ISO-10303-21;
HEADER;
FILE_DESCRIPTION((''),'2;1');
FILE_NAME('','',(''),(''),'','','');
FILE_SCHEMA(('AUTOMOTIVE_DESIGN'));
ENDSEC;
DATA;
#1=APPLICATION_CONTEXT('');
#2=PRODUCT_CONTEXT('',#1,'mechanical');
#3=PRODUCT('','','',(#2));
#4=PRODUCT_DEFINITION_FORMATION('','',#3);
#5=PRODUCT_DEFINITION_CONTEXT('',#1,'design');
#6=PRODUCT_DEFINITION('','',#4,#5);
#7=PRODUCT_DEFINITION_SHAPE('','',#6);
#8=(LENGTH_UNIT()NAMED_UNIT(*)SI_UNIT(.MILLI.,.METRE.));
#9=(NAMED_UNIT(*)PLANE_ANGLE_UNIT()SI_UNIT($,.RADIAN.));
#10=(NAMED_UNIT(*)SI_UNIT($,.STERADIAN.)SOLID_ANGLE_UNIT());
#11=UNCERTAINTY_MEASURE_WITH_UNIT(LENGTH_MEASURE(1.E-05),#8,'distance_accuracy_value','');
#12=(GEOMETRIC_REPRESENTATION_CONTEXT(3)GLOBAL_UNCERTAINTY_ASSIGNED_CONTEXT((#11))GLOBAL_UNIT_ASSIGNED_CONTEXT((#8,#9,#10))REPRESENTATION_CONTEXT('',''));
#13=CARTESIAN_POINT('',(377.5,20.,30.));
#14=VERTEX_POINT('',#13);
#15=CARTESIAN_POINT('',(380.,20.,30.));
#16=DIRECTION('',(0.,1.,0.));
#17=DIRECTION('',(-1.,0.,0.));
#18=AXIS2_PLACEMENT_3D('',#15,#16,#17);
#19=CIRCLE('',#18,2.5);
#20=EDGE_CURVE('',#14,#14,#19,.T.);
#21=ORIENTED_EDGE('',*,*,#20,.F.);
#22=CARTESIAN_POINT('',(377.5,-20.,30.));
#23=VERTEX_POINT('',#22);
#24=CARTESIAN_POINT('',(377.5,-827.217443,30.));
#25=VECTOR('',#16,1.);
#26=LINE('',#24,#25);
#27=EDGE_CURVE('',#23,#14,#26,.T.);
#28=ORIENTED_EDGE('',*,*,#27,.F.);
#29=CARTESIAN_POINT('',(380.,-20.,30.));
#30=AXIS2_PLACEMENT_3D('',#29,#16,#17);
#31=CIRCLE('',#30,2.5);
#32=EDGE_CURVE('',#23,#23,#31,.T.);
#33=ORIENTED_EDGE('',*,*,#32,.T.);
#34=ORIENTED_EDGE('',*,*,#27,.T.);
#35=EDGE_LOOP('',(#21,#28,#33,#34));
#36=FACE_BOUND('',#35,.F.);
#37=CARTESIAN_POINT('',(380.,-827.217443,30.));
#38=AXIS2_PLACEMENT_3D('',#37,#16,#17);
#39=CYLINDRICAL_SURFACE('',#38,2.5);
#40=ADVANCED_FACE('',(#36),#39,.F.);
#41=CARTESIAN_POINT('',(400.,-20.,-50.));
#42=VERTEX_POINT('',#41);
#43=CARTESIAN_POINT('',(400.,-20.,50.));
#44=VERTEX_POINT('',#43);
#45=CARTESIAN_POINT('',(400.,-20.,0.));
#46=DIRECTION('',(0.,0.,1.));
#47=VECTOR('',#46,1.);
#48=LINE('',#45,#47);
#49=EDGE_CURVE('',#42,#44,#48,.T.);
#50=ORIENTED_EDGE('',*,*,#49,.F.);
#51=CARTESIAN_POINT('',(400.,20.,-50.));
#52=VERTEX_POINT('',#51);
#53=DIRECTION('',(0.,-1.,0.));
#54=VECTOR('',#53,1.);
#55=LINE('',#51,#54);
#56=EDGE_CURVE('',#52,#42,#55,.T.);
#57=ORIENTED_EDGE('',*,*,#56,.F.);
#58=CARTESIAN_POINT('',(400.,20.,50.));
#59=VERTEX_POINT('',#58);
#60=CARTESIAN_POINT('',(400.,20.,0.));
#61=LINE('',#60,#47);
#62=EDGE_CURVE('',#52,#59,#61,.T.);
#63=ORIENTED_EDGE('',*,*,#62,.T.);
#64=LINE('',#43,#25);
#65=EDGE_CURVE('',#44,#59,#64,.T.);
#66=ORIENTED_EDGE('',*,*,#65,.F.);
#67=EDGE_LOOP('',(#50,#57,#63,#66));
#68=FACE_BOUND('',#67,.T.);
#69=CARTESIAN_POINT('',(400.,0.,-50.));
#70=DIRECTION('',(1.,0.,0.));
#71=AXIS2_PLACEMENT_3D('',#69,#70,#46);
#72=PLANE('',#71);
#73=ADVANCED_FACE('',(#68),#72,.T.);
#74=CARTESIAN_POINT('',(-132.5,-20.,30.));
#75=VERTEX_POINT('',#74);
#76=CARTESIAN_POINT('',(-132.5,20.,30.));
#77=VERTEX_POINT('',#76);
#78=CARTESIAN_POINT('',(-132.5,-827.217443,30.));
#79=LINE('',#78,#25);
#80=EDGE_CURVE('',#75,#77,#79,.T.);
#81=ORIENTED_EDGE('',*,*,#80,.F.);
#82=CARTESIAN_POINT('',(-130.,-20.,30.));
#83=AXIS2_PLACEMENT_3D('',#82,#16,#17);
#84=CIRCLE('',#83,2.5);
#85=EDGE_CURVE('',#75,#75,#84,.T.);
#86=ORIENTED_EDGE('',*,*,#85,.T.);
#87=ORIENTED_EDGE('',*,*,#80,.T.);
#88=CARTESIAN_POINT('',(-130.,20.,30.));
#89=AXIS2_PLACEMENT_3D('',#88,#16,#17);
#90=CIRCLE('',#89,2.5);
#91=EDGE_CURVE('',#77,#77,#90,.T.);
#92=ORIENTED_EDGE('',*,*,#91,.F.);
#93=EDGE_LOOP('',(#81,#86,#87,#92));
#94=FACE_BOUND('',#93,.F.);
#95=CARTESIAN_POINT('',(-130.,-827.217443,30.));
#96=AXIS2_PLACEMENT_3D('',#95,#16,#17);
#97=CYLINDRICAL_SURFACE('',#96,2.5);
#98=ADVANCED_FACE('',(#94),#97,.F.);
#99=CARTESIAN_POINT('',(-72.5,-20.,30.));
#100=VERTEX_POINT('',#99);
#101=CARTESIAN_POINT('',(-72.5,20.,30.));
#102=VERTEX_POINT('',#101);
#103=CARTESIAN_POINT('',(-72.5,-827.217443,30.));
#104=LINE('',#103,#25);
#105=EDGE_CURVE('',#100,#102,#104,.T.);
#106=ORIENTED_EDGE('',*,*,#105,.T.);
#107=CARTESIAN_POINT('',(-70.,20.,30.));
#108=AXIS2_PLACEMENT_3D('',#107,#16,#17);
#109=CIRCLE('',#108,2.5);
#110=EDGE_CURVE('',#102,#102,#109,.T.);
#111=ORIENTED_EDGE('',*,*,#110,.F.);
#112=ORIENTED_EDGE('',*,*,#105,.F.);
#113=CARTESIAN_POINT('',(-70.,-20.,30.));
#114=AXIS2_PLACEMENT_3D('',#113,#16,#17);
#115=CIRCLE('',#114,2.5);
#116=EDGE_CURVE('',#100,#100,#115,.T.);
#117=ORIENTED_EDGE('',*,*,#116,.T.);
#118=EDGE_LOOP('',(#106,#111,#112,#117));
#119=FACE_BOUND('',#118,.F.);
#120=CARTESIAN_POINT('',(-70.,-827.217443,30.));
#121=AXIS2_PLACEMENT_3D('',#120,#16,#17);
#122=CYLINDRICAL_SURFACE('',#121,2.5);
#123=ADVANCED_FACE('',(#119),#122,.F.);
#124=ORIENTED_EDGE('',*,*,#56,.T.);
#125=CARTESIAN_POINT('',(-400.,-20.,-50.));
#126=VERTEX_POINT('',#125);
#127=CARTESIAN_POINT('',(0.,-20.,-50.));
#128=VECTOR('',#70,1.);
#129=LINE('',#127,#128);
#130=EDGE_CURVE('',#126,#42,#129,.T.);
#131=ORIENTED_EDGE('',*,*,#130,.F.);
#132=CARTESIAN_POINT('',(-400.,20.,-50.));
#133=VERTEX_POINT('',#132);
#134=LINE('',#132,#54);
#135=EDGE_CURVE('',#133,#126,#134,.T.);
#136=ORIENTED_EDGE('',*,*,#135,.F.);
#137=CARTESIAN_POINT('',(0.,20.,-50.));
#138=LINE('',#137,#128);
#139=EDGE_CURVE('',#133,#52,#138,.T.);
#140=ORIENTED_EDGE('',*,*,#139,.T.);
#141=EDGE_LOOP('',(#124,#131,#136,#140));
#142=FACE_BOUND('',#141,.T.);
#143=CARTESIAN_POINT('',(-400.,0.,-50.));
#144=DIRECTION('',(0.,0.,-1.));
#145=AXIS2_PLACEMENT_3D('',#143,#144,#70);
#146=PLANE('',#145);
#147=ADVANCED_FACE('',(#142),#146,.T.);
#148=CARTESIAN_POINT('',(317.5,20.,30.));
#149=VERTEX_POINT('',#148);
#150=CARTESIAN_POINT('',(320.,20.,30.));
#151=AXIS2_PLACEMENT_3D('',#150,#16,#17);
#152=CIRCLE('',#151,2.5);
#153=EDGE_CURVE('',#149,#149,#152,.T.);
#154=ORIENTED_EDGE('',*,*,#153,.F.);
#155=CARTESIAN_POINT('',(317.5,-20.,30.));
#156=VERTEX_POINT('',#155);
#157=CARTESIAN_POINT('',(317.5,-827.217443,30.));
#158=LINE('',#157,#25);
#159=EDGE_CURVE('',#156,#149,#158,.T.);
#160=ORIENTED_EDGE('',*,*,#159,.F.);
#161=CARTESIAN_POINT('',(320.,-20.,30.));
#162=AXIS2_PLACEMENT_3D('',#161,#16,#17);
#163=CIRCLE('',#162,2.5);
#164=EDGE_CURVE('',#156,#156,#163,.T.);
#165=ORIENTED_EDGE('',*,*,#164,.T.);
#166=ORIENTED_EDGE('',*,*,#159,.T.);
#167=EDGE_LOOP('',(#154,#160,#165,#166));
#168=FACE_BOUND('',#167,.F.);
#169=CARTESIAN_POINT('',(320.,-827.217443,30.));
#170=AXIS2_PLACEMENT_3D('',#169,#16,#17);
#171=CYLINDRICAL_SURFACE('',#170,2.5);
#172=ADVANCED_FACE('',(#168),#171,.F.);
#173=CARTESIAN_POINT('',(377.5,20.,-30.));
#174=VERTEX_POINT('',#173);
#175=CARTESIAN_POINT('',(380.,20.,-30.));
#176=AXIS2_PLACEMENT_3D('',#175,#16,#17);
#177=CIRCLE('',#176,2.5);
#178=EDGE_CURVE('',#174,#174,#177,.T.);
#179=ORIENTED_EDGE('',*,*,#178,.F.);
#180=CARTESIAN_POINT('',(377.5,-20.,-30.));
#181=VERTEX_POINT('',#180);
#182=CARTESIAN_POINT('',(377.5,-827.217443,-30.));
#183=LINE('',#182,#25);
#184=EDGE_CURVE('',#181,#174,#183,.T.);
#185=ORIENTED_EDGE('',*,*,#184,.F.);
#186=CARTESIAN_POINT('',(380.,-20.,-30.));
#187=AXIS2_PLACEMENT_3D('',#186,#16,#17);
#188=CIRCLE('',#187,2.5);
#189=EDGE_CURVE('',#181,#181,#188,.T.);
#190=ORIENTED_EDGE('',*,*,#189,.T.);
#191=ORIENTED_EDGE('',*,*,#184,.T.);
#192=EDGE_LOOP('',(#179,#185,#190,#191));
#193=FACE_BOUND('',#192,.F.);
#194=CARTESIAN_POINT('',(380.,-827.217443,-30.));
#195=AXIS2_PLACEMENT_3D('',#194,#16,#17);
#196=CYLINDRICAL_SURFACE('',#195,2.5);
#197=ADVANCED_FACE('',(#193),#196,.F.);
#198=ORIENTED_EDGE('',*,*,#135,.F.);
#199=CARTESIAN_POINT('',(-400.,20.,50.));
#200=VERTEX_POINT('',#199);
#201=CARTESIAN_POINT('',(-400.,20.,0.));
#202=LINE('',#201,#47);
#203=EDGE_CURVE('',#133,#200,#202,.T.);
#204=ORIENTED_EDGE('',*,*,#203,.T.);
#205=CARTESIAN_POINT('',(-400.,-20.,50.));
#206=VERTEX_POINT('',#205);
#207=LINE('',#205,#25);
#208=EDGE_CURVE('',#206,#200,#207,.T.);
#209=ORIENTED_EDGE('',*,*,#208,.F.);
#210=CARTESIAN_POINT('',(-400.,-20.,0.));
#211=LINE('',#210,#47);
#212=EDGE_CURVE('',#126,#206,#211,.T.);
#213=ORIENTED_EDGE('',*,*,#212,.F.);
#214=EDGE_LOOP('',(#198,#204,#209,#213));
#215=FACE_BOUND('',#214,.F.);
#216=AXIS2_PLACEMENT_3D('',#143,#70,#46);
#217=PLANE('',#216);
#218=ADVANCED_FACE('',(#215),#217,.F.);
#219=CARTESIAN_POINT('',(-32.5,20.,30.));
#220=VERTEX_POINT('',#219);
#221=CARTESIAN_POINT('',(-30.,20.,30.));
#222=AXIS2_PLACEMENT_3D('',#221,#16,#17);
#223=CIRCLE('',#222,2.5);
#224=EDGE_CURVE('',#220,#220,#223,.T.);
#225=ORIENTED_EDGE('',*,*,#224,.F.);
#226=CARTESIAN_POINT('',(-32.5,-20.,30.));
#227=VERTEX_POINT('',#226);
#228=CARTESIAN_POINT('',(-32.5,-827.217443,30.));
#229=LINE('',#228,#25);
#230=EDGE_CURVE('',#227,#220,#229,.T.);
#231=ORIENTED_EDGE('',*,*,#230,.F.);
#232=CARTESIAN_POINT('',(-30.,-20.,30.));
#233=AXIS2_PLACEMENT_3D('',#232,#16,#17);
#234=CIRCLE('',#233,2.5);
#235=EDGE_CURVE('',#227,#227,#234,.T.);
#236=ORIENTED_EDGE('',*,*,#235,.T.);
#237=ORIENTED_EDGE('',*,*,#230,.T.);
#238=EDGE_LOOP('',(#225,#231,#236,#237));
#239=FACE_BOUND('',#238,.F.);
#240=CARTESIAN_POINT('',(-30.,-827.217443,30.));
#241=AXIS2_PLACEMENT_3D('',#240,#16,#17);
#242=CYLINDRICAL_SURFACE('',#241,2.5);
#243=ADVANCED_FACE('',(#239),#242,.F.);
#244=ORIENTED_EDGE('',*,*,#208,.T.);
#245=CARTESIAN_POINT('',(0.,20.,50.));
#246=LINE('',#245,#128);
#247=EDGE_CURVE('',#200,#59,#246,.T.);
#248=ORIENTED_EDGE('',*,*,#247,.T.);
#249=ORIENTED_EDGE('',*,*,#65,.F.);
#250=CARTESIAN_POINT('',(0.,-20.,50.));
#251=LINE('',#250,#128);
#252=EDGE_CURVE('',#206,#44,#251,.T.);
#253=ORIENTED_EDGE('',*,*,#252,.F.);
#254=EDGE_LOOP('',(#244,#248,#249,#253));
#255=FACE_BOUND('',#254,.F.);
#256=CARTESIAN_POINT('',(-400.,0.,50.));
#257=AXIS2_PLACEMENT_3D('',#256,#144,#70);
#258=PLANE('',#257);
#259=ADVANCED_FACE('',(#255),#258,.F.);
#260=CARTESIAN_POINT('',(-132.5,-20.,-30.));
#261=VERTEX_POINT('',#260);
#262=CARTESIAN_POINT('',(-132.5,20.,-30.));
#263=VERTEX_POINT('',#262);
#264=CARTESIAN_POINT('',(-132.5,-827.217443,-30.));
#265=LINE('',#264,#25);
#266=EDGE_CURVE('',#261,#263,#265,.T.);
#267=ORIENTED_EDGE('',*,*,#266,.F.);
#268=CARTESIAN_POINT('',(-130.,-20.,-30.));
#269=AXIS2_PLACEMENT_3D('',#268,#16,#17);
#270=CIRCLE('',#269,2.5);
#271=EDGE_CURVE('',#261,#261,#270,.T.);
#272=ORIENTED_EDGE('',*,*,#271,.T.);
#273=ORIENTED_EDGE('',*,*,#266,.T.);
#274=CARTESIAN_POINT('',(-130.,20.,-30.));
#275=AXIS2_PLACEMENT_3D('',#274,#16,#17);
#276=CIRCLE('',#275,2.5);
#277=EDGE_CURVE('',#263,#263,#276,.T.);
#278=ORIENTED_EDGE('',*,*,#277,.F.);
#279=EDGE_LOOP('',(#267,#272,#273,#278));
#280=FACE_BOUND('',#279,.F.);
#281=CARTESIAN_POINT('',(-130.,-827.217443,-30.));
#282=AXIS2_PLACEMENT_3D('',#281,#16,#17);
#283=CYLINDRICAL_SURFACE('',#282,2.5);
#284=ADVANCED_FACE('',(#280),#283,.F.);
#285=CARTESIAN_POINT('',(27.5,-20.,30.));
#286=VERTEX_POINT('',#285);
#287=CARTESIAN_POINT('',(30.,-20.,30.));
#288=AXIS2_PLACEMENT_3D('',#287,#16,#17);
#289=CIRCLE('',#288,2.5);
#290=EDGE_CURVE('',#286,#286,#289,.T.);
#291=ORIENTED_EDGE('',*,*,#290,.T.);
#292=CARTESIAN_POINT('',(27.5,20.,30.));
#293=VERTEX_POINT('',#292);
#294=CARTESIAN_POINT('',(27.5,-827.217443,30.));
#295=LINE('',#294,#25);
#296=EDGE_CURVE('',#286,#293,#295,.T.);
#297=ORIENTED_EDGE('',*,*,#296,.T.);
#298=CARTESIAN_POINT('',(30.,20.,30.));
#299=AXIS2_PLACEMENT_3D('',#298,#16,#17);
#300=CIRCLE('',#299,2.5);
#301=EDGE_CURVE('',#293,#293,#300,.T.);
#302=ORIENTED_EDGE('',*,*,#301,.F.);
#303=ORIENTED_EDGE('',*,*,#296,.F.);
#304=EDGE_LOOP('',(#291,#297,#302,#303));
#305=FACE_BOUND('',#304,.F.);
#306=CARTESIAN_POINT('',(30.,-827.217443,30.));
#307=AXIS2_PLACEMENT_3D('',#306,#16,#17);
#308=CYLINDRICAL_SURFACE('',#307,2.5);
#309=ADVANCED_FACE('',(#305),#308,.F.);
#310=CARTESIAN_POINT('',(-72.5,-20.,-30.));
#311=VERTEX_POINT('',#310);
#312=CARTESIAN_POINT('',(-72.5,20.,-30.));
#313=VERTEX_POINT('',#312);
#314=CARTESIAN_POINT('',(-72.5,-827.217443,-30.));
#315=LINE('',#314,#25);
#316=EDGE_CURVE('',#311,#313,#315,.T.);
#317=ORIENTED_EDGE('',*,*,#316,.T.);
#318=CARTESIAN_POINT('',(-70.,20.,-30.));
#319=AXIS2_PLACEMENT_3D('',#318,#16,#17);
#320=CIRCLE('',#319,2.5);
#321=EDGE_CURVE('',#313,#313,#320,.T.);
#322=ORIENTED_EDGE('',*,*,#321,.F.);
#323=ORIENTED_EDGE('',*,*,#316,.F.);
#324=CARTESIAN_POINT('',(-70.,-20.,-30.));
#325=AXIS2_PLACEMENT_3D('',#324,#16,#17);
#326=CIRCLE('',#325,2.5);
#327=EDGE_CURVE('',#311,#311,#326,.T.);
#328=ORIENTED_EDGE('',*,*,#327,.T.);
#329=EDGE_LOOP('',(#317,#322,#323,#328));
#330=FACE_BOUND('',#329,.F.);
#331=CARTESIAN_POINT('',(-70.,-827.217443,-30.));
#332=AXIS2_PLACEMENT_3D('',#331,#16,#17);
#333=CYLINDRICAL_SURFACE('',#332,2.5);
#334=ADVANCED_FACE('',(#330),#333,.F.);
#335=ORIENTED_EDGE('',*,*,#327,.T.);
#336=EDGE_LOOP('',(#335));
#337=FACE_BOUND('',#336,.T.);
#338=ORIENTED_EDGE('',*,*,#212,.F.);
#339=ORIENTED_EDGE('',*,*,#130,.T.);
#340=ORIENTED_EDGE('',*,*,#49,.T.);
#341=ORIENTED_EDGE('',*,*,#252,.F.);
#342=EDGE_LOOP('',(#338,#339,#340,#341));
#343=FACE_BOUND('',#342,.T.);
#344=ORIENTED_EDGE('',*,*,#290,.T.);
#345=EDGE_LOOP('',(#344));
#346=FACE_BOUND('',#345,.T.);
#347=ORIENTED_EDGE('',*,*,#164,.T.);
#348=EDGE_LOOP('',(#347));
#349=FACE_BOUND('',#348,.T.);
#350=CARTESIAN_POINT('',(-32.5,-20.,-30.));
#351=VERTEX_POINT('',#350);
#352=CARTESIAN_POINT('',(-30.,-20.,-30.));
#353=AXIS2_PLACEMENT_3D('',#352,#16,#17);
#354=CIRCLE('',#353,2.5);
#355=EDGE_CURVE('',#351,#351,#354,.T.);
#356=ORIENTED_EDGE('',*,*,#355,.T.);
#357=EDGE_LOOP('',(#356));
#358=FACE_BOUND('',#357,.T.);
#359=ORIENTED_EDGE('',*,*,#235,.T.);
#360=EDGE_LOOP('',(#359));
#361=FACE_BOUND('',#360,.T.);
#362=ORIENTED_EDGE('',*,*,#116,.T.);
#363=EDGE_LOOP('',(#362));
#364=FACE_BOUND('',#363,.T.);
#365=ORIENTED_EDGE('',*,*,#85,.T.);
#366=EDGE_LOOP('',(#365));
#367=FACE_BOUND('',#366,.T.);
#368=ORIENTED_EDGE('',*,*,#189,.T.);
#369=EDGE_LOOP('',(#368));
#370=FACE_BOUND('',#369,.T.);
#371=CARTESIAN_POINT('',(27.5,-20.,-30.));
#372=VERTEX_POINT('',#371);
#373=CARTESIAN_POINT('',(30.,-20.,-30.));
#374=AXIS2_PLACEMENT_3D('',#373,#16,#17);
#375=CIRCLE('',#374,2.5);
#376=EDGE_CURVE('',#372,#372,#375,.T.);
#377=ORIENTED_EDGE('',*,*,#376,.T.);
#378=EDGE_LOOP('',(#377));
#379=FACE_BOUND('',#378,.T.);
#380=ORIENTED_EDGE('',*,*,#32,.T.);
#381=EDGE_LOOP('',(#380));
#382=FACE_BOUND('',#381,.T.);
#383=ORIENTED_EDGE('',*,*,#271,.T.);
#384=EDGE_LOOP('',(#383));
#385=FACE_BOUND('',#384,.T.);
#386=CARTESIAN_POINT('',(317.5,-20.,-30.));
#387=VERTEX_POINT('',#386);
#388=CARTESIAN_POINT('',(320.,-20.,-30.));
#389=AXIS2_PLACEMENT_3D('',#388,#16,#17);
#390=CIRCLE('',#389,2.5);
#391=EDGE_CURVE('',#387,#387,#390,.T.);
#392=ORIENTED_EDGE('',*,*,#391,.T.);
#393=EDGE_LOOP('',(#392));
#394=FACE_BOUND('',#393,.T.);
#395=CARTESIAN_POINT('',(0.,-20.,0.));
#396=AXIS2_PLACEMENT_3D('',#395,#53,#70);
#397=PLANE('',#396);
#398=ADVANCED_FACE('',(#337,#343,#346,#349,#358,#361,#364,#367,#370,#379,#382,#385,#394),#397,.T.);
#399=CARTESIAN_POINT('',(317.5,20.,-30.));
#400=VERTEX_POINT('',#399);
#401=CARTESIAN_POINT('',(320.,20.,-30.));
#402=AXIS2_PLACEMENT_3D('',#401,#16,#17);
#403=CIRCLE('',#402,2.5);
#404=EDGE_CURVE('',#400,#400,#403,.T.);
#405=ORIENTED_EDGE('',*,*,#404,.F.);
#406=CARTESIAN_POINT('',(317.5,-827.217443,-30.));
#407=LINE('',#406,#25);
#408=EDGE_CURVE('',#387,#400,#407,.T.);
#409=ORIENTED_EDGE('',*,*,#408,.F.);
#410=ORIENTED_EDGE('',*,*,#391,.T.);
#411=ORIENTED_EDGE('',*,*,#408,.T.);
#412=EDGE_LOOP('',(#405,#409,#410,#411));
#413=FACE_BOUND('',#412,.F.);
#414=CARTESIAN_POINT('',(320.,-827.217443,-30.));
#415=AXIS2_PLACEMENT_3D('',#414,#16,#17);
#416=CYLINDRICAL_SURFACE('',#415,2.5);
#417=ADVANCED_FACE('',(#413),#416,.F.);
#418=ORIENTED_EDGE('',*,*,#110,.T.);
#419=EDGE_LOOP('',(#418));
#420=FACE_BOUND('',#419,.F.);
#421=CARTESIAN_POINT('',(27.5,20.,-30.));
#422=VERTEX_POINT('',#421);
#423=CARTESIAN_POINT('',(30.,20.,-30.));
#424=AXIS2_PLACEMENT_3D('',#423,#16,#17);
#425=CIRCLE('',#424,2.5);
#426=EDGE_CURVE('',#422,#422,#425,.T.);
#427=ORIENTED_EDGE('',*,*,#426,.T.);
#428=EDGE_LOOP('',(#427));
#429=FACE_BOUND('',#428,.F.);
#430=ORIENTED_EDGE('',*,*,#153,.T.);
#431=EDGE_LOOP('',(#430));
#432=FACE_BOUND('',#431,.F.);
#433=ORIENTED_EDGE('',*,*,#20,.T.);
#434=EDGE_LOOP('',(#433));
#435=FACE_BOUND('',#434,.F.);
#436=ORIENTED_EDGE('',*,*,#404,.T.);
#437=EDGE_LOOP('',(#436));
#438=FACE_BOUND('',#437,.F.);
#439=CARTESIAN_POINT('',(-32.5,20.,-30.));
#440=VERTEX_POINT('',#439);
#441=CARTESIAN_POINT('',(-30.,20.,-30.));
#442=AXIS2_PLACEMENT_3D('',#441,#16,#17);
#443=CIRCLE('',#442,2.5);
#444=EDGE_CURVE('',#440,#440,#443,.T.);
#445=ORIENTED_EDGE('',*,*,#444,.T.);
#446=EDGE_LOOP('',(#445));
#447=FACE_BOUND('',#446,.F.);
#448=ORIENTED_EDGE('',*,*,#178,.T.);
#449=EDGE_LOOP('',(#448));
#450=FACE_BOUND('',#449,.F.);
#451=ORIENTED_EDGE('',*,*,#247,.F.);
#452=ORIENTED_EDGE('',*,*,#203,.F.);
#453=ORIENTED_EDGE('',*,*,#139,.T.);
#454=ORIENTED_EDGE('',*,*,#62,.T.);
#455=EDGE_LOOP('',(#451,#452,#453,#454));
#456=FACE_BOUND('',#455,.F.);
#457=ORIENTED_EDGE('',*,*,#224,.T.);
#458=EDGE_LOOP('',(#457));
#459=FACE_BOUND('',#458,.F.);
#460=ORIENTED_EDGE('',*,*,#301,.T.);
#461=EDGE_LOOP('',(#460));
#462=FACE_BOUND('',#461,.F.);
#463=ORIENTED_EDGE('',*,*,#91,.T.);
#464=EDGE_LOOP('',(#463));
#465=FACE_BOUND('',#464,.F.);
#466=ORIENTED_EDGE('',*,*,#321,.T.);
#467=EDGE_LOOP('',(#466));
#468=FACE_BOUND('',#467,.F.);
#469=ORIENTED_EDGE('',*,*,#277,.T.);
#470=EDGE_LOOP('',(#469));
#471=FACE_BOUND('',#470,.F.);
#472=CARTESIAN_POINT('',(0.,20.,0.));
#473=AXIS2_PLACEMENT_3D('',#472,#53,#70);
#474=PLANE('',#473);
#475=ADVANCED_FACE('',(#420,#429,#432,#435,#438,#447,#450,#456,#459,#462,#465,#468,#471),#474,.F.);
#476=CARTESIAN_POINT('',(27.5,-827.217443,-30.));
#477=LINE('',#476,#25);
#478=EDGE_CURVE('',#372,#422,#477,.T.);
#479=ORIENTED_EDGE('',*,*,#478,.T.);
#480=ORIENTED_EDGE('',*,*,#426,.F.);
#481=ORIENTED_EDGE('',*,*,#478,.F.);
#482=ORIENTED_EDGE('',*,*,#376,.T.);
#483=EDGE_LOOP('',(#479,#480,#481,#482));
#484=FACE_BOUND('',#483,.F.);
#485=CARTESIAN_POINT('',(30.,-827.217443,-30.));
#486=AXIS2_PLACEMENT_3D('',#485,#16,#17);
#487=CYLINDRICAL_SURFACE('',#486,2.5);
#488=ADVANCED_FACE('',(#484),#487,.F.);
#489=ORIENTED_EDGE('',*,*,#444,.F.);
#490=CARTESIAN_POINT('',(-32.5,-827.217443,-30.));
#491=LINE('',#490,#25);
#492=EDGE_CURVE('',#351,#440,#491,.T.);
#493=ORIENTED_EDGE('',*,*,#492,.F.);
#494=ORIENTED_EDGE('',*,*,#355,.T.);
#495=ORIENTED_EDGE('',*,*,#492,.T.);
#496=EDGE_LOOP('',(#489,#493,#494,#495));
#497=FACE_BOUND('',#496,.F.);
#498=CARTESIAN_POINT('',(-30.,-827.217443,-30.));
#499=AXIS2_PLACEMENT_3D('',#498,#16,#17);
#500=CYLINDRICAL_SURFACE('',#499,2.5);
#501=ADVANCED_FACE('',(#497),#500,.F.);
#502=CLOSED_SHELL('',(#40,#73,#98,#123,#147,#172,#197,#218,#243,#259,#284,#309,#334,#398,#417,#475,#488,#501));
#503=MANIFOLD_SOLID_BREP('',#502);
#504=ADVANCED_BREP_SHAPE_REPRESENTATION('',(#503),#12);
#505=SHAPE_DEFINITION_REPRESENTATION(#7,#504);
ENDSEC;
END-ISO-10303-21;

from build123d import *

# Parameters (mm, degrees)
F0_W     = 800
F0_H     = 100
F1_DEPTH = 20
F3_D     = 5


with BuildPart() as f1:
    # F0 (on Front) → F1 (new body, symmetric)
    with BuildSketch(Plane.XZ):
        Rectangle(F0_W, F0_H)
    extrude(amount=F1_DEPTH, both=True)

    # F3 (through all)
    with Locations(Plane.XZ.offset(20)):
        with Locations((320, 30), (380, 30), (320, -30), (380, -30), (-130, 30), (-70, 30), (-130, -30), (-70, -30), (-30, 30), (30, 30), (-30, -30), (30, -30)):
            Hole(F3_D / 2)


solid = f1.part
